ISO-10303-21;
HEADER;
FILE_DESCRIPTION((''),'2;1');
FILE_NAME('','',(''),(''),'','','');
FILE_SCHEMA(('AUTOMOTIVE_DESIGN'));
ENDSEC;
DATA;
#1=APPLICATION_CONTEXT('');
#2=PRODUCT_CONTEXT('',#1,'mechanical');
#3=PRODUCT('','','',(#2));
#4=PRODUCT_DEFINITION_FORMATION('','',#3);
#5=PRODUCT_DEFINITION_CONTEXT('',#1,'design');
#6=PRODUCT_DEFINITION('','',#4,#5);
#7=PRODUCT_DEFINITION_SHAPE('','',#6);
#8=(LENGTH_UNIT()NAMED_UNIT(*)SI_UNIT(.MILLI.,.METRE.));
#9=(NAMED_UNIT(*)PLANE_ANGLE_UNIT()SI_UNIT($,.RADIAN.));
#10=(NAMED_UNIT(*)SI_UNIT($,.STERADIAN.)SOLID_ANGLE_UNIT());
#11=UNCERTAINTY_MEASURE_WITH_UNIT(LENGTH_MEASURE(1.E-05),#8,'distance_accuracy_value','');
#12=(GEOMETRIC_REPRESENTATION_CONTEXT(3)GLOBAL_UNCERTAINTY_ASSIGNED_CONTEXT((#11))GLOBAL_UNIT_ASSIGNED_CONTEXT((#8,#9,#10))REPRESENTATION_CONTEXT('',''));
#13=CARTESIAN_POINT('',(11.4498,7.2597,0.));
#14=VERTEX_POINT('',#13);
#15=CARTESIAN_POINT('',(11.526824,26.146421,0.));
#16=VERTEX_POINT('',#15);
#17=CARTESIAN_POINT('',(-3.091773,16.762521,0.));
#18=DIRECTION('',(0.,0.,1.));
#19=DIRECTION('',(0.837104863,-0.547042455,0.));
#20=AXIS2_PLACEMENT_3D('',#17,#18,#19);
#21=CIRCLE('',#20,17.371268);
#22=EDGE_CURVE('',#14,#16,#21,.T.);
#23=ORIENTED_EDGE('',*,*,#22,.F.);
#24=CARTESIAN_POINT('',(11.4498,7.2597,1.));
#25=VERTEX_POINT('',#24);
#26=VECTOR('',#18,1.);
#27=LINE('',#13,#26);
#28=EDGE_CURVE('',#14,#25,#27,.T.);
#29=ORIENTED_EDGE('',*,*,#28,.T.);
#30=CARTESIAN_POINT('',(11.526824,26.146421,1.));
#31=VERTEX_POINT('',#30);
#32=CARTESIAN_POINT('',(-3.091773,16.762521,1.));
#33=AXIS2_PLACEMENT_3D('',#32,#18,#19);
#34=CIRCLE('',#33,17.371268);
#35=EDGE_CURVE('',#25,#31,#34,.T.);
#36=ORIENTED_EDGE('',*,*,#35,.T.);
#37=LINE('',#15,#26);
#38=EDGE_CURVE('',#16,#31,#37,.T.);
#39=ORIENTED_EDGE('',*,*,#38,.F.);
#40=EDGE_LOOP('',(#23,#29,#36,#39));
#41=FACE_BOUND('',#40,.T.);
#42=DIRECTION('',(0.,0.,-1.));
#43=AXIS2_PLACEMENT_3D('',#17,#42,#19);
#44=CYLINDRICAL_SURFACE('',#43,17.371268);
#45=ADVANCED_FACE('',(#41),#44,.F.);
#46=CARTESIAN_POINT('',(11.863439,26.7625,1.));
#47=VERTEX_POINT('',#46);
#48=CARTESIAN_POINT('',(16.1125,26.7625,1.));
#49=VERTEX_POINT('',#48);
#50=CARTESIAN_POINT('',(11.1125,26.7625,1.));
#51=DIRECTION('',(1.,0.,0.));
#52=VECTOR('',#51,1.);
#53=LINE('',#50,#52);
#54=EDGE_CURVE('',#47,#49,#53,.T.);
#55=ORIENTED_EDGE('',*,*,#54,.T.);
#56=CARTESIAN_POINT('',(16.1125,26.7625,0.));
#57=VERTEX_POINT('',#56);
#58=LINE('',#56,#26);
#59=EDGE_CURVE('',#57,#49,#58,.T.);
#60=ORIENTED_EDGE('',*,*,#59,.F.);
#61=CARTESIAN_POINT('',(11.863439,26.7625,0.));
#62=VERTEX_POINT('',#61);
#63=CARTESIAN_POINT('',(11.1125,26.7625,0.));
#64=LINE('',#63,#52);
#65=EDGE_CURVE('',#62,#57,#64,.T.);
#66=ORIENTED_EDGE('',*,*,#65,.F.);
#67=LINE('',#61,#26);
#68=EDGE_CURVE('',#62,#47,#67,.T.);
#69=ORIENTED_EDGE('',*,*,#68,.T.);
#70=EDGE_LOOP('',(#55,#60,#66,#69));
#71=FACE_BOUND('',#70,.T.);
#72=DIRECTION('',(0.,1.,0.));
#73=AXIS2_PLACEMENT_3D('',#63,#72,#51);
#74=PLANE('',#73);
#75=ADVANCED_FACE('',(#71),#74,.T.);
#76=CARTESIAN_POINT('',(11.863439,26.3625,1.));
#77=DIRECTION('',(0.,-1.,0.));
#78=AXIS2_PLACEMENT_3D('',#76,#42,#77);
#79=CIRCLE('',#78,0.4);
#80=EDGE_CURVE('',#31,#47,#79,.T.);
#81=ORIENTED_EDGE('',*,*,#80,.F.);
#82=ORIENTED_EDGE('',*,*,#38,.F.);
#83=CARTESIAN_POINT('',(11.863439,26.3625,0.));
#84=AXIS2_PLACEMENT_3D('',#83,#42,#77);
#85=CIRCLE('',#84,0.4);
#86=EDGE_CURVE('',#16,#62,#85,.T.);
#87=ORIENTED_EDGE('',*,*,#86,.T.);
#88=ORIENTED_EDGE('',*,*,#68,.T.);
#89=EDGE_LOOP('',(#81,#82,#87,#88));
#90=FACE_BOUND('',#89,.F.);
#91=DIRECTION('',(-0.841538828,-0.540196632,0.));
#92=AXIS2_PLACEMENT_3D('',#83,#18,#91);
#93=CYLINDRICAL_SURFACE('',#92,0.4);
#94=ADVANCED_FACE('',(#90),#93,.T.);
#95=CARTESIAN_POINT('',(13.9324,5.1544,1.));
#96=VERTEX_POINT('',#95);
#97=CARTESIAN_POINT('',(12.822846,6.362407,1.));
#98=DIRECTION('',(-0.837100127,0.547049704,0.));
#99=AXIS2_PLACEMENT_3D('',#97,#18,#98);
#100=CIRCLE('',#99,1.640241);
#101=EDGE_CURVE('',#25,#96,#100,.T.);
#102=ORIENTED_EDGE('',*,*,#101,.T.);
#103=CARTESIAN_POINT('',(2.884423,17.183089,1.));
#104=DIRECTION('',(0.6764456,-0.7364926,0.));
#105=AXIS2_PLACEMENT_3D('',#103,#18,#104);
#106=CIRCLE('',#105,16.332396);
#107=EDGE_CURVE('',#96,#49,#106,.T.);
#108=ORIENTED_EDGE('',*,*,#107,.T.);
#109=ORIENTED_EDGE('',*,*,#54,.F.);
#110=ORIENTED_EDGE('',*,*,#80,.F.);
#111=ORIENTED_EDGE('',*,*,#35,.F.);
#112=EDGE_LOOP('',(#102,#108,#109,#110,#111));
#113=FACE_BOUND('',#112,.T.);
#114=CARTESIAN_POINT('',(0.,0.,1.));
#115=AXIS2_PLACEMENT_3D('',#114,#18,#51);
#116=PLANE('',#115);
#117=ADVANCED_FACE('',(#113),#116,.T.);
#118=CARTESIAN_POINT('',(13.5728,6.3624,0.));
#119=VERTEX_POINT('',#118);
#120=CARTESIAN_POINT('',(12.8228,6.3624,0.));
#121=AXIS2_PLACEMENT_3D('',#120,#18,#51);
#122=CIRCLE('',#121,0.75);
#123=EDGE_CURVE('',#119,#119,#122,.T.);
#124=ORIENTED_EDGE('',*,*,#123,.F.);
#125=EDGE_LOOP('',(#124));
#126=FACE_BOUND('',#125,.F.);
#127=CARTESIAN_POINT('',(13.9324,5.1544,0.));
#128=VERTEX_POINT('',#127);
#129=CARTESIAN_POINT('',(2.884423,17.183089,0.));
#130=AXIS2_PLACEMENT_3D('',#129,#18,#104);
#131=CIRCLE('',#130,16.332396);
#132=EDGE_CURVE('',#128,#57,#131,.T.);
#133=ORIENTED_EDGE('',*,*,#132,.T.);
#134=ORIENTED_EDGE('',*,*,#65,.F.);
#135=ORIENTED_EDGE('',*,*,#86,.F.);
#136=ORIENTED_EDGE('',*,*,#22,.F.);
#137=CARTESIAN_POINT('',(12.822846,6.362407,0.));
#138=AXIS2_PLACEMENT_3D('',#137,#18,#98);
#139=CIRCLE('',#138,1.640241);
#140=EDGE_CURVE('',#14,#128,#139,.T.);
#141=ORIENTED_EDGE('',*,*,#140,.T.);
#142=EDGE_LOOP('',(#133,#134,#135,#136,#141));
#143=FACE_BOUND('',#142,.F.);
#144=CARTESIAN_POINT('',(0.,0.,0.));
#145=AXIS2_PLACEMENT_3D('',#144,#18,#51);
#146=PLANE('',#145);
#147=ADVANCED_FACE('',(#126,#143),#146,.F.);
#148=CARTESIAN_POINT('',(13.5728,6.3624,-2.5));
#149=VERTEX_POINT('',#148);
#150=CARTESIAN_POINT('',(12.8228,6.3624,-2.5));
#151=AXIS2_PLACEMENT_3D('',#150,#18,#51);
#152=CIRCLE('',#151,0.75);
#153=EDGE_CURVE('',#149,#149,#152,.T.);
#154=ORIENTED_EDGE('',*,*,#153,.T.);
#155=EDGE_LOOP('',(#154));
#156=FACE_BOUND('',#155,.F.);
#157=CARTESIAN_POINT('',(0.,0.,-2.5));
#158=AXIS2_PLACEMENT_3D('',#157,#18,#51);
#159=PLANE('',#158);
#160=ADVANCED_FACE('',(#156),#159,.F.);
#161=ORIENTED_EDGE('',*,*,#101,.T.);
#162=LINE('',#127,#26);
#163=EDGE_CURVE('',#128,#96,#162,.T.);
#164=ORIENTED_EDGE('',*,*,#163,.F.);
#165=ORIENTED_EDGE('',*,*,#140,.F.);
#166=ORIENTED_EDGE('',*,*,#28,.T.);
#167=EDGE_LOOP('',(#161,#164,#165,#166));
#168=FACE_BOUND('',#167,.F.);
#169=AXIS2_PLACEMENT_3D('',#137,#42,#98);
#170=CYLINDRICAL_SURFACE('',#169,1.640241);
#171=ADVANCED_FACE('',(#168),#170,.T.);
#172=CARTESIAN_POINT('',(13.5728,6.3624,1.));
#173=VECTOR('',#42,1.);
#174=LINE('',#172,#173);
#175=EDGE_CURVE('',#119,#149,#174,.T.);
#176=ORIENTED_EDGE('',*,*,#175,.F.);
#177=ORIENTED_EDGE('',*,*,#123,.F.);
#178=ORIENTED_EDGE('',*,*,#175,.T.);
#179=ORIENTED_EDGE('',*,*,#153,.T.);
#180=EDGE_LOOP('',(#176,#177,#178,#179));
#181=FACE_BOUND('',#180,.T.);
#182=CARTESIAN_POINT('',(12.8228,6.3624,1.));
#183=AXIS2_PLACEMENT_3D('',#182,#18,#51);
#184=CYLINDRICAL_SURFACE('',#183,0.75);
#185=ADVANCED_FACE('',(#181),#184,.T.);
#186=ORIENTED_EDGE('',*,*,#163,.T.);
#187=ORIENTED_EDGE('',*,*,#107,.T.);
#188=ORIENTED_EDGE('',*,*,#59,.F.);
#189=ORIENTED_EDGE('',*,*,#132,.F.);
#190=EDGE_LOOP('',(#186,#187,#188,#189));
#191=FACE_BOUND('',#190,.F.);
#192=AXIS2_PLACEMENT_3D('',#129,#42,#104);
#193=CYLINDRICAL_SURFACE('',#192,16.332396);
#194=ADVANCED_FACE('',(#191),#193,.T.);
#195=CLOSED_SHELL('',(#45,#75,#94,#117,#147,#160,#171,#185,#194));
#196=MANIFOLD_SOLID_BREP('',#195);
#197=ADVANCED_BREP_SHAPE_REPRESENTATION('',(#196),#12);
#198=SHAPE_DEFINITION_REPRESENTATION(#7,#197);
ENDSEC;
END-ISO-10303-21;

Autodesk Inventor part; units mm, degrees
ref_plane "YZ Plane" through (0, 0, 0) normal (1, 0, 0) x (0, 1, 0)
ref_plane "XZ Plane" through (0, 0, 0) normal (0, 1, 0) x (-1, 0, 0)
ref_plane "XY Plane" through (0, 0, 0) normal (0, 0, 1) x (1, 0, 0)
sketch "Sketch1" plane through (0, 0, 0) normal (0, 0, 1) x (1, 0, 0)
  arc A0 (11.4498, 7.2597) -> (11.1125, 26.7625) centre (-3.0917, 16.7625) ccw
  arc A1 (11.4498, 7.2597) -> (13.9324, 5.1544) centre (12.8228, 6.3624) ccw
  arc A2 (13.9324, 5.1544) -> (16.1125, 26.7625) centre (2.8844, 17.1831) ccw
  line L0 (11.1125, 26.7625) -> (16.1125, 26.7625)
  point P0 (0, 0)
extrude "Extrusion1" add sketch "Sketch1" along normal blind 1
sketch "Sketch2" plane through (0, 0, 1) normal (0, 0, 1) x (1, 0, 0)
  arc A0 (11.4498, 7.2597) -> (11.1125, 26.7625) centre (-3.0917, 16.7625) ccw projected
  arc A1 (11.4498, 7.2597) -> (13.9324, 5.1544) centre (12.8228, 6.3624) ccw projected
  arc A2 (13.9324, 5.1544) -> (16.1125, 26.7625) centre (2.8844, 17.1831) ccw projected
  line L0 (16.1125, 26.7625) -> (11.1125, 26.7625) projected
  circle A3 centre (12.8228, 6.3624) radius 0.75
  point P0 (0, 0)
  dimension "d5" = 1.5
extrude "Extrusion2" add sketch "Sketch2" against normal blind 3.5 contours A3
fillet "Fillet1" radius 0.4 1 edges at (11.1125, 26.7625, 0.5)
properties material "Liga de Nickel-Copper 400"
